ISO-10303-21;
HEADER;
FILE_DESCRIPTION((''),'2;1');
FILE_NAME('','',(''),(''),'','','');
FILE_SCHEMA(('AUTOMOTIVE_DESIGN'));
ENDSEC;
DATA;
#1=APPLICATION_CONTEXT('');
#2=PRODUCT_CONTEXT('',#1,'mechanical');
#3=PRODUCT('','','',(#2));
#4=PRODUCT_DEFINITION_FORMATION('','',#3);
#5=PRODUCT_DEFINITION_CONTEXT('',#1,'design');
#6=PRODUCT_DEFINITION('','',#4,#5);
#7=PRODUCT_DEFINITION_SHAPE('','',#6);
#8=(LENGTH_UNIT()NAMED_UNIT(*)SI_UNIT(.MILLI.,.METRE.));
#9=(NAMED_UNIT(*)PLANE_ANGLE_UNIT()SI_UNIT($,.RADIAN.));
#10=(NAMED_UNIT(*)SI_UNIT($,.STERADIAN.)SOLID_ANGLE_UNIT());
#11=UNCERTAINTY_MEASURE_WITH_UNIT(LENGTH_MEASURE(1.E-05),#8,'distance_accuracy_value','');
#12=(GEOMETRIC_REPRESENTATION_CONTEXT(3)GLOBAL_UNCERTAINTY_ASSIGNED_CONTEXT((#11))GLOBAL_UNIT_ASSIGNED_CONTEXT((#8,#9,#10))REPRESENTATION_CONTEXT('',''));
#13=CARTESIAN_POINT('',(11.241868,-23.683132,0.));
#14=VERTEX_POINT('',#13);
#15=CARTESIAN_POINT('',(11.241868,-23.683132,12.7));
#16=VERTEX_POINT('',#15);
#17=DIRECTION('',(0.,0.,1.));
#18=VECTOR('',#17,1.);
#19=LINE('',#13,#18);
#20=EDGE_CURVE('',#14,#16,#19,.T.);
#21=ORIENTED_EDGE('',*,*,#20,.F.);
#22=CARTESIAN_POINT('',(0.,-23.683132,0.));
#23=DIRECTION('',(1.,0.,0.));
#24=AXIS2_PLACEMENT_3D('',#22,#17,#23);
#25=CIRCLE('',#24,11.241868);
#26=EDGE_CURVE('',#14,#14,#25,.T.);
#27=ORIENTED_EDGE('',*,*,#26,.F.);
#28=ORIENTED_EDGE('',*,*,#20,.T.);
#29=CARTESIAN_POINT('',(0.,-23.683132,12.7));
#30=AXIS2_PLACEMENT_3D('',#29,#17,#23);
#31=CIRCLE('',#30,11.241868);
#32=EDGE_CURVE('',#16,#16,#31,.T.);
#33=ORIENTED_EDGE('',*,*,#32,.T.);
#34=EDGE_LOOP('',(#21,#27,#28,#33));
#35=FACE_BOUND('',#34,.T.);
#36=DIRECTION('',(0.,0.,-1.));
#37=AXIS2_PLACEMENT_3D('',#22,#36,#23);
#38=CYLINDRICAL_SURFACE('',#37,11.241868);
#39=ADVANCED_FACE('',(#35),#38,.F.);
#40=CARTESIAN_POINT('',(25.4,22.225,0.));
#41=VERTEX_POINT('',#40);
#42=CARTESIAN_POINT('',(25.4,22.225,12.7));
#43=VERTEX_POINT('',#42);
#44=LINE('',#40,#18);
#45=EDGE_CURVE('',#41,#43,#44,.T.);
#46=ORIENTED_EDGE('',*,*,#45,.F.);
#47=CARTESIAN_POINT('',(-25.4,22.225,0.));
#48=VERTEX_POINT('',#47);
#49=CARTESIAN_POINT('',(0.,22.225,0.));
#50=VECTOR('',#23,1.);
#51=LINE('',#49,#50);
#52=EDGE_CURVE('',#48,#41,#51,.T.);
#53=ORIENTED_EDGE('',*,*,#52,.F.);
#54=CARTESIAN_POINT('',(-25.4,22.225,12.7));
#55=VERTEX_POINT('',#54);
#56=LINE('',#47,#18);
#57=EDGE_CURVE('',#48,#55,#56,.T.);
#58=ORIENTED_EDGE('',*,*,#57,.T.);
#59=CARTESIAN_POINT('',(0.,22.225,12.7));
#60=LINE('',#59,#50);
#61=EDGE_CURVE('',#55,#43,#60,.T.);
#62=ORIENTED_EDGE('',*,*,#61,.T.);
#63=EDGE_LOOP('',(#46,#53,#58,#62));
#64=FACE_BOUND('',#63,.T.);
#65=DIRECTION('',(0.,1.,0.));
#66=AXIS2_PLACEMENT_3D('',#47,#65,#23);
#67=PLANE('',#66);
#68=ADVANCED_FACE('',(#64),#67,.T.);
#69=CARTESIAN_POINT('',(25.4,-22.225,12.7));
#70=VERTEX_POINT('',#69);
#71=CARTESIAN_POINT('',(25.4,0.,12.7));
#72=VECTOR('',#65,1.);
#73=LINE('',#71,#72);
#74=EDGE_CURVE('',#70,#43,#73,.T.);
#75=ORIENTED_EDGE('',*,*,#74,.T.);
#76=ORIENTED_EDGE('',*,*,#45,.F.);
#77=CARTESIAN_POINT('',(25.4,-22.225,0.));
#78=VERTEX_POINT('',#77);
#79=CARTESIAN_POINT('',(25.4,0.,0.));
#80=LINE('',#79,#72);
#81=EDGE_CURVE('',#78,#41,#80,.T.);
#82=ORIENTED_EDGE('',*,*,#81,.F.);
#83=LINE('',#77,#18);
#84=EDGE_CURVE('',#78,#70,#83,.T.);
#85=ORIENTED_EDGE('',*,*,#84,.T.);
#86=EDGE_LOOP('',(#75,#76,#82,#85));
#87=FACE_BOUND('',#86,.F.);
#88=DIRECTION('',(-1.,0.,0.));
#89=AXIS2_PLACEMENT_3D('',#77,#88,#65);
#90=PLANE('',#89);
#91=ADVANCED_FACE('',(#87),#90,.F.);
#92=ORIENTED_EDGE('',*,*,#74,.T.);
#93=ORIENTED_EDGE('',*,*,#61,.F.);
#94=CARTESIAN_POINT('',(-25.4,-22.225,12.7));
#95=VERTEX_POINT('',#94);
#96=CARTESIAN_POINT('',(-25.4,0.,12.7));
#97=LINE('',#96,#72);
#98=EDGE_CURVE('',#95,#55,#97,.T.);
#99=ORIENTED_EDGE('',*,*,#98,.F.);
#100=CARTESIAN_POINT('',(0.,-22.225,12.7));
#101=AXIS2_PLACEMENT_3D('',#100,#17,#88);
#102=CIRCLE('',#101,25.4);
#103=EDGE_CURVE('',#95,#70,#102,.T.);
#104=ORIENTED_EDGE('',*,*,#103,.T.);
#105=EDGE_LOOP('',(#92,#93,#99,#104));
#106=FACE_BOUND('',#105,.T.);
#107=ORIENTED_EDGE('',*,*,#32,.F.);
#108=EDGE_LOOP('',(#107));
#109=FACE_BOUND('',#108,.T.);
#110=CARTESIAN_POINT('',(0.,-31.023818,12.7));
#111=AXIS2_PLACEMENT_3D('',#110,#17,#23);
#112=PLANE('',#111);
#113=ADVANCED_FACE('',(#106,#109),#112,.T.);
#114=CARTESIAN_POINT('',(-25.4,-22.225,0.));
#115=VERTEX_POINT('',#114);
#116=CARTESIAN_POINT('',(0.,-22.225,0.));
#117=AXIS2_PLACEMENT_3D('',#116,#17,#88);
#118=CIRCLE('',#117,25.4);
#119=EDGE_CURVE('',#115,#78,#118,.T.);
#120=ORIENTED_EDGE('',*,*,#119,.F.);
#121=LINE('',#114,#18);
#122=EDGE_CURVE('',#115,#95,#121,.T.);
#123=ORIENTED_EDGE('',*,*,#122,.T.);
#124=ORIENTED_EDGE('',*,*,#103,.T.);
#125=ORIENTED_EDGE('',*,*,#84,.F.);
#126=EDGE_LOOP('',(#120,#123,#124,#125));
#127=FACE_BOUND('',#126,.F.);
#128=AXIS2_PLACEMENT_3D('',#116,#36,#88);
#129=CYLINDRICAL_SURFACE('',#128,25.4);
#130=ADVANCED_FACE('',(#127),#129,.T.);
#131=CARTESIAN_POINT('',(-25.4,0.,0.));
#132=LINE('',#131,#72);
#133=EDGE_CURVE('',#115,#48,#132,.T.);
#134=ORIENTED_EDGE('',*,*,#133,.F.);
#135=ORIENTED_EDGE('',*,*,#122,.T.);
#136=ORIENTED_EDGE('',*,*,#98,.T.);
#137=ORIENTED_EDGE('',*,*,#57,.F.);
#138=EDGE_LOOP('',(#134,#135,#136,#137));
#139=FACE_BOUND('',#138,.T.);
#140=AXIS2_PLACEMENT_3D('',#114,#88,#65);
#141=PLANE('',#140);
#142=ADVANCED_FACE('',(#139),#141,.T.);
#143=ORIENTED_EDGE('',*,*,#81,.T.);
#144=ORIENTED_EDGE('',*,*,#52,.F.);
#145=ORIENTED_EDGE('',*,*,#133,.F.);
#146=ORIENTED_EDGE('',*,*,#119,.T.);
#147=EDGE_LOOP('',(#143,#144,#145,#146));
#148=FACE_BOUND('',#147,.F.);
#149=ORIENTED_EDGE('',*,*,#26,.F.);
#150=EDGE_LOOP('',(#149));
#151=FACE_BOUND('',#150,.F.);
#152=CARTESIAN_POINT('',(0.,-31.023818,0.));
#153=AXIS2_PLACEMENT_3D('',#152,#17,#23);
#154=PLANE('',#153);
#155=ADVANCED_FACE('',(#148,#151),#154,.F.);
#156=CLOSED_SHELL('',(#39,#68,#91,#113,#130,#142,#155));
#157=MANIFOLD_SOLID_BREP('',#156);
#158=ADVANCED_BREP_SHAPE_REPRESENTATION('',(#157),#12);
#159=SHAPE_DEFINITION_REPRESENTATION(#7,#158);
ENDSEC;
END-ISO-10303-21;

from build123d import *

# Parameters (mm, degrees)
F0_W     = 50.8
F0_H     = 44.45
F1_DEPTH = 12.7
F2_R     = 11.241868
F3_DEPTH = 12.7


with BuildPart() as f1:
    # F0 (on Top) → F1 (new body)
    with BuildSketch(Plane.XY):
        with BuildLine():
            ThreePointArc((-25.4, -22.225), (0, -47.625), (25.4, -22.225))
            Line((25.4, -22.225), (-25.4, -22.225))
        make_face()
        Rectangle(F0_W, F0_H)
    extrude(amount=F1_DEPTH)

    # F2 (on Top) → F3 (cut)
    with BuildSketch(Plane.XY):
        with Locations((0, -23.683132)):
            Circle(F2_R)
    extrude(amount=F3_DEPTH, mode=Mode.SUBTRACT)


solid = f1.part
